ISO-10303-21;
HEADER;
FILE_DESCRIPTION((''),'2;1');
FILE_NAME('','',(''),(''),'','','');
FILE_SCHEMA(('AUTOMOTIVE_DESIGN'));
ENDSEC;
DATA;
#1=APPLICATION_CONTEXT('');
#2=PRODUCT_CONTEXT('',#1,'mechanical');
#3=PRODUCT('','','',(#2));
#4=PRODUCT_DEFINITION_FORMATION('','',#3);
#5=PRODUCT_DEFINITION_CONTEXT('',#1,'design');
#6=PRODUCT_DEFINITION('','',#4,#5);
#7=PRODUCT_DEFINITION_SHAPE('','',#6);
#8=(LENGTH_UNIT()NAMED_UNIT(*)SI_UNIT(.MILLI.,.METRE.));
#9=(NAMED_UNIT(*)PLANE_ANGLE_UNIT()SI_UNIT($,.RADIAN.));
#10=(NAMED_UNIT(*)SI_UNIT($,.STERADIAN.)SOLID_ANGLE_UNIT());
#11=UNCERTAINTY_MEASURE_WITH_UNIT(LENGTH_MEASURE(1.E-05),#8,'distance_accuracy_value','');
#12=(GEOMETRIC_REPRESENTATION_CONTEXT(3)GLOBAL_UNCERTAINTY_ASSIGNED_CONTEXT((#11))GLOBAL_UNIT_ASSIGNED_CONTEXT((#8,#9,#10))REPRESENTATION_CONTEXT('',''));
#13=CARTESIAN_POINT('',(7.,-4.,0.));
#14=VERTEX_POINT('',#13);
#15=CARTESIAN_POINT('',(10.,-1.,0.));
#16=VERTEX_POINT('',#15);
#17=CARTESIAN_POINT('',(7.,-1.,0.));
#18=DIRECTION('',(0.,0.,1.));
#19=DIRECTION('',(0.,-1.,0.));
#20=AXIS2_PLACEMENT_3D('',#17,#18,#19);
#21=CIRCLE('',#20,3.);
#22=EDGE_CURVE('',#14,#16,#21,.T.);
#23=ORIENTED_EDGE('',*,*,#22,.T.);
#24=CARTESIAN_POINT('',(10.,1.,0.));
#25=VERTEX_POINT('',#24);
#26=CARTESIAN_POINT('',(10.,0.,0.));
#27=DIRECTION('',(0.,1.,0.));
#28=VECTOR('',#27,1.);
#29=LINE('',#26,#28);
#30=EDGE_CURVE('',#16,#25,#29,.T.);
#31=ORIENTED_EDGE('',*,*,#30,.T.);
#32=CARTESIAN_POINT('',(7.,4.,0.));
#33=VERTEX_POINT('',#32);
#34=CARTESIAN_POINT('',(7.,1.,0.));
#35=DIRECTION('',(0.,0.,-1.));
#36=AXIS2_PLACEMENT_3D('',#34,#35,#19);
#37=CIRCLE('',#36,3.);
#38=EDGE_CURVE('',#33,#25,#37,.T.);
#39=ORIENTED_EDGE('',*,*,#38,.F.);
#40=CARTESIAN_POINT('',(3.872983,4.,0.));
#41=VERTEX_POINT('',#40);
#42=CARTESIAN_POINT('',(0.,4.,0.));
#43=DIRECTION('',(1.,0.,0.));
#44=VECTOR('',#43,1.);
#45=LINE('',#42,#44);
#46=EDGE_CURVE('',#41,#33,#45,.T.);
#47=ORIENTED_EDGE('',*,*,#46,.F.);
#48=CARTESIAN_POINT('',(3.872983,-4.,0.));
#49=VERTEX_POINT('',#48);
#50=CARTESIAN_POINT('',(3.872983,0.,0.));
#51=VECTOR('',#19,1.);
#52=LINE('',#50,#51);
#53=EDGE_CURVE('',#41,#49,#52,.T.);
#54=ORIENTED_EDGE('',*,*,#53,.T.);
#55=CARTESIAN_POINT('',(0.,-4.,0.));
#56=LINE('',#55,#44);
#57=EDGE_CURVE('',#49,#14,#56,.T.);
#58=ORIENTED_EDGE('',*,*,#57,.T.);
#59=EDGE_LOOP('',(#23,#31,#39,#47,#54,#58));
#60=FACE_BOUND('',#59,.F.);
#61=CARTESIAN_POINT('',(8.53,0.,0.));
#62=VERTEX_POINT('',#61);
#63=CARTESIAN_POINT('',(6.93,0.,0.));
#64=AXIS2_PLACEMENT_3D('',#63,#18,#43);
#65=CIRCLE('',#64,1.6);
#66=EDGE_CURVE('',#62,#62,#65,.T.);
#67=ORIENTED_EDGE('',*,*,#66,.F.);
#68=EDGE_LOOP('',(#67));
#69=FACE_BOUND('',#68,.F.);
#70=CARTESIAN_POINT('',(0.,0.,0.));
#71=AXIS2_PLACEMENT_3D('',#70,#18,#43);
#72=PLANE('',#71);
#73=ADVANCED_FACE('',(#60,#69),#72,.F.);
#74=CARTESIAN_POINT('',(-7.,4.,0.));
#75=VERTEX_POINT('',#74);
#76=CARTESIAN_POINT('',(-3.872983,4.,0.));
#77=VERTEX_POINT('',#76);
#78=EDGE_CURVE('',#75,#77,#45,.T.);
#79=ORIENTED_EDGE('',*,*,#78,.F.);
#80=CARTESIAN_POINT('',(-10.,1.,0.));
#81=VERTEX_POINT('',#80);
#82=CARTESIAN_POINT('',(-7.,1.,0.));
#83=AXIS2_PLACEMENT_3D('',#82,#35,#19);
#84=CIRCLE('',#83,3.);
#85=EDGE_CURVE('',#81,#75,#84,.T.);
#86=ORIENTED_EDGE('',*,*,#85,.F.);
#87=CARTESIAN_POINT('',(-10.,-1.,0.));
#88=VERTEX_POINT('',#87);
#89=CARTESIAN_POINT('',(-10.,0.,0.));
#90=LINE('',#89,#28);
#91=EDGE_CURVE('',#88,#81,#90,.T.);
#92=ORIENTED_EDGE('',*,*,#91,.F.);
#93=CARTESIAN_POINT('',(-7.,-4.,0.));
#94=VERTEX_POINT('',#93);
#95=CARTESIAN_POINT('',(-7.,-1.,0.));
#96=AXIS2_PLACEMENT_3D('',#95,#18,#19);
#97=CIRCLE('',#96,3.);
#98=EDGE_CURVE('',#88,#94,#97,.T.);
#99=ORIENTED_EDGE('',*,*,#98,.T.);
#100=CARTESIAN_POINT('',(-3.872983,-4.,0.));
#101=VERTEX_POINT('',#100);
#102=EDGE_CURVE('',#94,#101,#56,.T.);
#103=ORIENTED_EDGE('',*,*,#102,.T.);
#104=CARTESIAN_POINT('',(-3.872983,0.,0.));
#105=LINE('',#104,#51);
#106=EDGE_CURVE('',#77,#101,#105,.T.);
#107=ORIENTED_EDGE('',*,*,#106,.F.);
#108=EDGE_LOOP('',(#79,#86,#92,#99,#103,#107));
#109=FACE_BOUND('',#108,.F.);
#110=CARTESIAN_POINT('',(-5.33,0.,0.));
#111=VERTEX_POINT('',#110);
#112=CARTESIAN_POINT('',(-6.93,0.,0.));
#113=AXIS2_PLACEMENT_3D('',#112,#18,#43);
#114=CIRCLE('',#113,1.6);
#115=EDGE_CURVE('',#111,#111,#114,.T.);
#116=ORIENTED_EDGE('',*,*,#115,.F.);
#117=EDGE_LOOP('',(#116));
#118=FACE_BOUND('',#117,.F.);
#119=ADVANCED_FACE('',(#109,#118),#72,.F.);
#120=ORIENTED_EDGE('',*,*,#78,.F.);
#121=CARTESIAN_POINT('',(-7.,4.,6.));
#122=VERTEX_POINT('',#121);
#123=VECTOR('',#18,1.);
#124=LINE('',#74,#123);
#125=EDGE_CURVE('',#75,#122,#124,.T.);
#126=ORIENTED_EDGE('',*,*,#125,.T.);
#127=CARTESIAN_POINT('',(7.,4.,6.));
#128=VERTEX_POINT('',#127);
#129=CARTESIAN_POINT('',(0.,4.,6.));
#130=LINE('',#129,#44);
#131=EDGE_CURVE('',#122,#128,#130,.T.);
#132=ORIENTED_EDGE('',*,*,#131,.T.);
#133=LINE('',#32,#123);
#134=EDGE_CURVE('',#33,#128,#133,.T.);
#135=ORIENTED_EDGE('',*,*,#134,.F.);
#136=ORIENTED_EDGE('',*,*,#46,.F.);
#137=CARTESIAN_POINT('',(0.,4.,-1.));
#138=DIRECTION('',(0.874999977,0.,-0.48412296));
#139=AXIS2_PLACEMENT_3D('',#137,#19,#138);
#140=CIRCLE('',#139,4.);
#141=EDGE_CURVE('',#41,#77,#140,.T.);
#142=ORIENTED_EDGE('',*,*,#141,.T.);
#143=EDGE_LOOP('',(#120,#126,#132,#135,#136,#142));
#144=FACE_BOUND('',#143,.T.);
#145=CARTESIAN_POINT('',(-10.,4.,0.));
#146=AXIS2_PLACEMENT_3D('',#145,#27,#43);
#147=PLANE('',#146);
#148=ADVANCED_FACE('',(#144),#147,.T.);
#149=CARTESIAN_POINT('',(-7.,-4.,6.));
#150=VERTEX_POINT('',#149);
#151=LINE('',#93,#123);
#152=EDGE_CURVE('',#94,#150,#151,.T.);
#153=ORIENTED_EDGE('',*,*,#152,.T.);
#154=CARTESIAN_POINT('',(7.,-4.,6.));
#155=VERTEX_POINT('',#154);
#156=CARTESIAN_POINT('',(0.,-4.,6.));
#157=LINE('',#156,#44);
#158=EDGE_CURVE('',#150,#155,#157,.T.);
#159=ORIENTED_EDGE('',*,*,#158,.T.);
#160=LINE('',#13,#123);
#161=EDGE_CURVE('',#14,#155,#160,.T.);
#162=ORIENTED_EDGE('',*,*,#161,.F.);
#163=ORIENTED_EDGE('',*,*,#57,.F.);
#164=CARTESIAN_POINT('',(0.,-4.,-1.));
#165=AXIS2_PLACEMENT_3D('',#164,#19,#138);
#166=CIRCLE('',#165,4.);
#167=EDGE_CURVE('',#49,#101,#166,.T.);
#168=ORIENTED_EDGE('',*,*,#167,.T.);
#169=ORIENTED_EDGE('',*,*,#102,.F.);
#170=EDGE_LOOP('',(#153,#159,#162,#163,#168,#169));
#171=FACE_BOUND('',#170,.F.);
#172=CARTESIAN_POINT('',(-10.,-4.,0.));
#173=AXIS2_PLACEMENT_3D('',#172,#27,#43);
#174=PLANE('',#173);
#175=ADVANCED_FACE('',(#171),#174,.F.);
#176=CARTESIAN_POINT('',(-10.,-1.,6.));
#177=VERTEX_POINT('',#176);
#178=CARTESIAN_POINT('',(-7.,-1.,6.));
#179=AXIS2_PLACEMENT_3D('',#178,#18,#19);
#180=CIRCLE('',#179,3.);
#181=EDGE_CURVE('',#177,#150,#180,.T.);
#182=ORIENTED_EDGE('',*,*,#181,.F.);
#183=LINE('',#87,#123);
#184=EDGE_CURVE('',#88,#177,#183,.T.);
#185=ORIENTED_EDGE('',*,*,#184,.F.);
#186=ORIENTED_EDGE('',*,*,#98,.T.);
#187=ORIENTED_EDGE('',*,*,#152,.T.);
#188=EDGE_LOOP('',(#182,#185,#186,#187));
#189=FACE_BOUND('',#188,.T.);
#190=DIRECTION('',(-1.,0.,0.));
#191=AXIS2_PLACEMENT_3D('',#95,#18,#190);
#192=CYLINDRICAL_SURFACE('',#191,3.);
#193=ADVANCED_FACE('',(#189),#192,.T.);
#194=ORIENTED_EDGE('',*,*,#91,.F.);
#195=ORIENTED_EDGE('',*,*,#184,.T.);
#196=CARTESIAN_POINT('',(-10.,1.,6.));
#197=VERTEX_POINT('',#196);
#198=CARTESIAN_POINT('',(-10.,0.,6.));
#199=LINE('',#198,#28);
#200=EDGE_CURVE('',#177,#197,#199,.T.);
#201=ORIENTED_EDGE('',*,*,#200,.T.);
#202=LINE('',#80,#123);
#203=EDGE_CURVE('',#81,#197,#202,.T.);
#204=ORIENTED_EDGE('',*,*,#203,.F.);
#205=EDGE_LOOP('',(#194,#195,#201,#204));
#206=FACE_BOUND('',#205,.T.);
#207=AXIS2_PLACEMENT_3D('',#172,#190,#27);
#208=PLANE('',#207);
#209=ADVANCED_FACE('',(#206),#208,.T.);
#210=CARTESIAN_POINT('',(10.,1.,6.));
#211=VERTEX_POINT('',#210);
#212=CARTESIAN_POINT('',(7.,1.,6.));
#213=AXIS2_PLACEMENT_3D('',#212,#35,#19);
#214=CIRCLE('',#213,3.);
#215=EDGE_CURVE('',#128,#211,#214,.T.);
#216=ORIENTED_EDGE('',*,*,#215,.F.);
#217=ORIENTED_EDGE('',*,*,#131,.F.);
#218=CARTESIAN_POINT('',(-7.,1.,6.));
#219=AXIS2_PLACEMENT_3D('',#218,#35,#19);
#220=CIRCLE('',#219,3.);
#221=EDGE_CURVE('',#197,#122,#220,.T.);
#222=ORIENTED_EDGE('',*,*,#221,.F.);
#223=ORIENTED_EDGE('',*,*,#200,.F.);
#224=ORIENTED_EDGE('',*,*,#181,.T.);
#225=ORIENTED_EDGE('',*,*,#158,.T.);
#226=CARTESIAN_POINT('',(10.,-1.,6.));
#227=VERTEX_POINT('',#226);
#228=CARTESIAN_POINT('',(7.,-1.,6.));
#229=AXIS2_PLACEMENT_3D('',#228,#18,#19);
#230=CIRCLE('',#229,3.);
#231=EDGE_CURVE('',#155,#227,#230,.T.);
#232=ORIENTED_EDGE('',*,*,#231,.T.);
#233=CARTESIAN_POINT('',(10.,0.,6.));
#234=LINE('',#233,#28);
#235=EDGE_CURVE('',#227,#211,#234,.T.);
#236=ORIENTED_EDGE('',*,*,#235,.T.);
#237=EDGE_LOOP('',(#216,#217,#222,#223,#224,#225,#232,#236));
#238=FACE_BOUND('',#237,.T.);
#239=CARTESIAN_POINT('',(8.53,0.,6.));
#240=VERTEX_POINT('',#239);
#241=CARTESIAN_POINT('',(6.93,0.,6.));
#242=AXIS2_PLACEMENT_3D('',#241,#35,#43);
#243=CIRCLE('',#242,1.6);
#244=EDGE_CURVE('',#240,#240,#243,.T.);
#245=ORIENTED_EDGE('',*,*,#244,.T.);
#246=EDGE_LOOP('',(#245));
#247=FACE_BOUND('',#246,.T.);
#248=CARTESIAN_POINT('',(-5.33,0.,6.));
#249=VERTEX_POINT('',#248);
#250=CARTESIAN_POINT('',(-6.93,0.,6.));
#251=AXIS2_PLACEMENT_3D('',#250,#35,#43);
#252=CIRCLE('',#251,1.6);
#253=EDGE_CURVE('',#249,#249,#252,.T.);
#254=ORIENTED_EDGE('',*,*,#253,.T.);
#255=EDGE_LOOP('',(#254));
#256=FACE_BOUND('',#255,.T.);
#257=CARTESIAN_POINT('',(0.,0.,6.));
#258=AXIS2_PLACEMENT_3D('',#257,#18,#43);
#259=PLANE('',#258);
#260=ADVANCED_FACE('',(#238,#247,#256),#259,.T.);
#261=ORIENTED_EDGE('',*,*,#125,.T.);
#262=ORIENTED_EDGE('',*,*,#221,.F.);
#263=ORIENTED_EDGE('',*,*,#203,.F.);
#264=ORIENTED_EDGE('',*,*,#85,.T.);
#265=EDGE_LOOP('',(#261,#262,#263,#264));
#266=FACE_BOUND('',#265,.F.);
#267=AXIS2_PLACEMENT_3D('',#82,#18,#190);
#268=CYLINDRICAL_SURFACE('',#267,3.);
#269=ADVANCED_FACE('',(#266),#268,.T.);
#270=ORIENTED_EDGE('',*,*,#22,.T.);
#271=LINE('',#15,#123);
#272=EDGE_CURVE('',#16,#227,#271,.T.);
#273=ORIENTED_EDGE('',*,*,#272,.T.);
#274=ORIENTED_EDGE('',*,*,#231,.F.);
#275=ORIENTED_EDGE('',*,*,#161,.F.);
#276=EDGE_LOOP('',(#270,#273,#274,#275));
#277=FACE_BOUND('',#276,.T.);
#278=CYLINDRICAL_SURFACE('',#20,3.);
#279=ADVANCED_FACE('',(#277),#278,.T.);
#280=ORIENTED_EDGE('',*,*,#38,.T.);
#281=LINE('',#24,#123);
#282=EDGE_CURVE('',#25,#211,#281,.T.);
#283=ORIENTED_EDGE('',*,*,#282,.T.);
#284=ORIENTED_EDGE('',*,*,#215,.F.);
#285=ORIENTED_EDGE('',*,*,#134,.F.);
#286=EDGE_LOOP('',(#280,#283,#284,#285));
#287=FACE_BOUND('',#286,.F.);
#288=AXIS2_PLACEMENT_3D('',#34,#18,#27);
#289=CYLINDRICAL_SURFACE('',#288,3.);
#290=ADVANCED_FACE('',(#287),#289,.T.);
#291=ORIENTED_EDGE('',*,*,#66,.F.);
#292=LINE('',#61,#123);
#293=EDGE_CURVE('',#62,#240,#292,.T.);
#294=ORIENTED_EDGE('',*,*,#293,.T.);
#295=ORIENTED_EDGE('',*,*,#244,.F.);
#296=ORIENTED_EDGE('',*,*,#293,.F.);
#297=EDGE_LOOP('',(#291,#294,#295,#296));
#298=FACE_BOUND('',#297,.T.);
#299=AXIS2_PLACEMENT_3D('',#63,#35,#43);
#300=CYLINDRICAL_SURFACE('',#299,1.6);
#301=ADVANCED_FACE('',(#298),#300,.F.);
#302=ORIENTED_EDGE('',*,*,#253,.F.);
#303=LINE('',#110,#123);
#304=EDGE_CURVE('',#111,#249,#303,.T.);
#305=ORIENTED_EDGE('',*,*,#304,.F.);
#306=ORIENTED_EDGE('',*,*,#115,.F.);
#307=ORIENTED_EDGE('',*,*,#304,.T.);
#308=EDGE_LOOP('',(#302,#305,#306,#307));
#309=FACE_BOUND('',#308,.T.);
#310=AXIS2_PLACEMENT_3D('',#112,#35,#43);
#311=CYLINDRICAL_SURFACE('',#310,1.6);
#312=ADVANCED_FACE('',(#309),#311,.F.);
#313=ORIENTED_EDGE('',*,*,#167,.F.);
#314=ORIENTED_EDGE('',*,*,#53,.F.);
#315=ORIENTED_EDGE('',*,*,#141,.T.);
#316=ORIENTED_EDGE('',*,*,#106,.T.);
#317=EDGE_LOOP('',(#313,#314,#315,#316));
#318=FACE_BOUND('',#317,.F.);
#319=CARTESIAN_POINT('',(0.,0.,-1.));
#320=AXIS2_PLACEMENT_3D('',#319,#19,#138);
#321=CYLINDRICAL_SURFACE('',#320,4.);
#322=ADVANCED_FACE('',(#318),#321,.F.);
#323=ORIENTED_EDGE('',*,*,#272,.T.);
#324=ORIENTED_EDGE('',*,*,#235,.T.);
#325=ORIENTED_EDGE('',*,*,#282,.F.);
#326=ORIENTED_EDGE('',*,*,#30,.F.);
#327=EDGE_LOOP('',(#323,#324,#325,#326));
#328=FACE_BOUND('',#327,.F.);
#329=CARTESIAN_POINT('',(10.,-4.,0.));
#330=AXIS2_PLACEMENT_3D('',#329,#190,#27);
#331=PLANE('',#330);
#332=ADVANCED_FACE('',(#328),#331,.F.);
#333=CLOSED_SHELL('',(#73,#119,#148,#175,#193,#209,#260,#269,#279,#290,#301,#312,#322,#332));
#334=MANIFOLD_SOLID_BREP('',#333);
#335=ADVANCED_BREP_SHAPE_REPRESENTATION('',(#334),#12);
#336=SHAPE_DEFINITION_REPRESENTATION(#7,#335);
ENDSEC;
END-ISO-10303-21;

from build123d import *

# Parameters (mm, degrees)
SKETCH004_W     = 20
SKETCH004_H     = 8
PAD003_DEPTH    = 6
POCKET001_DEPTH = 5
SKETCH006_R     = 1.6
POCKET002_DEPTH = 11
FILLET004_R     = 3


with BuildPart() as part:
    # Sketch004 (on XY_Plane001 of Origin002) → Pad003 (new body)
    with BuildSketch(Plane.XY):
        Rectangle(SKETCH004_W, SKETCH004_H)
    extrude(amount=PAD003_DEPTH)

    # Sketch005 (on XZ_Plane001 of Origin002) → Pocket001 (cut, symmetric)
    with BuildSketch(Plane.XZ):
        with BuildLine():
            Line((-3.5, -2.936492), (3.5, -2.936492))
            ThreePointArc((3.5, -2.936492), (0, 3), (-3.5, -2.936492))
        make_face()
    extrude(amount=POCKET001_DEPTH, both=True, mode=Mode.SUBTRACT)

    # Sketch006 (on XY_Plane001 of Origin002) → Pocket002 (cut)
    with BuildSketch(Plane.XY):
        with Locations((-6.93, 0)):
            Circle(SKETCH006_R)
        with Locations((6.93, 0)):
            Circle(SKETCH006_R)
    extrude(amount=POCKET002_DEPTH, mode=Mode.SUBTRACT)

    # Fillet004
    fillet004_edges = [part.edges().sort_by_distance(p)[0] for p in [
        (10, 4, 3),
        (10, -4, 3),
        (-10, -4, 3),
        (-10, 4, 3),
    ]]
    fillet(fillet004_edges, radius=FILLET004_R)


solid = part.part
